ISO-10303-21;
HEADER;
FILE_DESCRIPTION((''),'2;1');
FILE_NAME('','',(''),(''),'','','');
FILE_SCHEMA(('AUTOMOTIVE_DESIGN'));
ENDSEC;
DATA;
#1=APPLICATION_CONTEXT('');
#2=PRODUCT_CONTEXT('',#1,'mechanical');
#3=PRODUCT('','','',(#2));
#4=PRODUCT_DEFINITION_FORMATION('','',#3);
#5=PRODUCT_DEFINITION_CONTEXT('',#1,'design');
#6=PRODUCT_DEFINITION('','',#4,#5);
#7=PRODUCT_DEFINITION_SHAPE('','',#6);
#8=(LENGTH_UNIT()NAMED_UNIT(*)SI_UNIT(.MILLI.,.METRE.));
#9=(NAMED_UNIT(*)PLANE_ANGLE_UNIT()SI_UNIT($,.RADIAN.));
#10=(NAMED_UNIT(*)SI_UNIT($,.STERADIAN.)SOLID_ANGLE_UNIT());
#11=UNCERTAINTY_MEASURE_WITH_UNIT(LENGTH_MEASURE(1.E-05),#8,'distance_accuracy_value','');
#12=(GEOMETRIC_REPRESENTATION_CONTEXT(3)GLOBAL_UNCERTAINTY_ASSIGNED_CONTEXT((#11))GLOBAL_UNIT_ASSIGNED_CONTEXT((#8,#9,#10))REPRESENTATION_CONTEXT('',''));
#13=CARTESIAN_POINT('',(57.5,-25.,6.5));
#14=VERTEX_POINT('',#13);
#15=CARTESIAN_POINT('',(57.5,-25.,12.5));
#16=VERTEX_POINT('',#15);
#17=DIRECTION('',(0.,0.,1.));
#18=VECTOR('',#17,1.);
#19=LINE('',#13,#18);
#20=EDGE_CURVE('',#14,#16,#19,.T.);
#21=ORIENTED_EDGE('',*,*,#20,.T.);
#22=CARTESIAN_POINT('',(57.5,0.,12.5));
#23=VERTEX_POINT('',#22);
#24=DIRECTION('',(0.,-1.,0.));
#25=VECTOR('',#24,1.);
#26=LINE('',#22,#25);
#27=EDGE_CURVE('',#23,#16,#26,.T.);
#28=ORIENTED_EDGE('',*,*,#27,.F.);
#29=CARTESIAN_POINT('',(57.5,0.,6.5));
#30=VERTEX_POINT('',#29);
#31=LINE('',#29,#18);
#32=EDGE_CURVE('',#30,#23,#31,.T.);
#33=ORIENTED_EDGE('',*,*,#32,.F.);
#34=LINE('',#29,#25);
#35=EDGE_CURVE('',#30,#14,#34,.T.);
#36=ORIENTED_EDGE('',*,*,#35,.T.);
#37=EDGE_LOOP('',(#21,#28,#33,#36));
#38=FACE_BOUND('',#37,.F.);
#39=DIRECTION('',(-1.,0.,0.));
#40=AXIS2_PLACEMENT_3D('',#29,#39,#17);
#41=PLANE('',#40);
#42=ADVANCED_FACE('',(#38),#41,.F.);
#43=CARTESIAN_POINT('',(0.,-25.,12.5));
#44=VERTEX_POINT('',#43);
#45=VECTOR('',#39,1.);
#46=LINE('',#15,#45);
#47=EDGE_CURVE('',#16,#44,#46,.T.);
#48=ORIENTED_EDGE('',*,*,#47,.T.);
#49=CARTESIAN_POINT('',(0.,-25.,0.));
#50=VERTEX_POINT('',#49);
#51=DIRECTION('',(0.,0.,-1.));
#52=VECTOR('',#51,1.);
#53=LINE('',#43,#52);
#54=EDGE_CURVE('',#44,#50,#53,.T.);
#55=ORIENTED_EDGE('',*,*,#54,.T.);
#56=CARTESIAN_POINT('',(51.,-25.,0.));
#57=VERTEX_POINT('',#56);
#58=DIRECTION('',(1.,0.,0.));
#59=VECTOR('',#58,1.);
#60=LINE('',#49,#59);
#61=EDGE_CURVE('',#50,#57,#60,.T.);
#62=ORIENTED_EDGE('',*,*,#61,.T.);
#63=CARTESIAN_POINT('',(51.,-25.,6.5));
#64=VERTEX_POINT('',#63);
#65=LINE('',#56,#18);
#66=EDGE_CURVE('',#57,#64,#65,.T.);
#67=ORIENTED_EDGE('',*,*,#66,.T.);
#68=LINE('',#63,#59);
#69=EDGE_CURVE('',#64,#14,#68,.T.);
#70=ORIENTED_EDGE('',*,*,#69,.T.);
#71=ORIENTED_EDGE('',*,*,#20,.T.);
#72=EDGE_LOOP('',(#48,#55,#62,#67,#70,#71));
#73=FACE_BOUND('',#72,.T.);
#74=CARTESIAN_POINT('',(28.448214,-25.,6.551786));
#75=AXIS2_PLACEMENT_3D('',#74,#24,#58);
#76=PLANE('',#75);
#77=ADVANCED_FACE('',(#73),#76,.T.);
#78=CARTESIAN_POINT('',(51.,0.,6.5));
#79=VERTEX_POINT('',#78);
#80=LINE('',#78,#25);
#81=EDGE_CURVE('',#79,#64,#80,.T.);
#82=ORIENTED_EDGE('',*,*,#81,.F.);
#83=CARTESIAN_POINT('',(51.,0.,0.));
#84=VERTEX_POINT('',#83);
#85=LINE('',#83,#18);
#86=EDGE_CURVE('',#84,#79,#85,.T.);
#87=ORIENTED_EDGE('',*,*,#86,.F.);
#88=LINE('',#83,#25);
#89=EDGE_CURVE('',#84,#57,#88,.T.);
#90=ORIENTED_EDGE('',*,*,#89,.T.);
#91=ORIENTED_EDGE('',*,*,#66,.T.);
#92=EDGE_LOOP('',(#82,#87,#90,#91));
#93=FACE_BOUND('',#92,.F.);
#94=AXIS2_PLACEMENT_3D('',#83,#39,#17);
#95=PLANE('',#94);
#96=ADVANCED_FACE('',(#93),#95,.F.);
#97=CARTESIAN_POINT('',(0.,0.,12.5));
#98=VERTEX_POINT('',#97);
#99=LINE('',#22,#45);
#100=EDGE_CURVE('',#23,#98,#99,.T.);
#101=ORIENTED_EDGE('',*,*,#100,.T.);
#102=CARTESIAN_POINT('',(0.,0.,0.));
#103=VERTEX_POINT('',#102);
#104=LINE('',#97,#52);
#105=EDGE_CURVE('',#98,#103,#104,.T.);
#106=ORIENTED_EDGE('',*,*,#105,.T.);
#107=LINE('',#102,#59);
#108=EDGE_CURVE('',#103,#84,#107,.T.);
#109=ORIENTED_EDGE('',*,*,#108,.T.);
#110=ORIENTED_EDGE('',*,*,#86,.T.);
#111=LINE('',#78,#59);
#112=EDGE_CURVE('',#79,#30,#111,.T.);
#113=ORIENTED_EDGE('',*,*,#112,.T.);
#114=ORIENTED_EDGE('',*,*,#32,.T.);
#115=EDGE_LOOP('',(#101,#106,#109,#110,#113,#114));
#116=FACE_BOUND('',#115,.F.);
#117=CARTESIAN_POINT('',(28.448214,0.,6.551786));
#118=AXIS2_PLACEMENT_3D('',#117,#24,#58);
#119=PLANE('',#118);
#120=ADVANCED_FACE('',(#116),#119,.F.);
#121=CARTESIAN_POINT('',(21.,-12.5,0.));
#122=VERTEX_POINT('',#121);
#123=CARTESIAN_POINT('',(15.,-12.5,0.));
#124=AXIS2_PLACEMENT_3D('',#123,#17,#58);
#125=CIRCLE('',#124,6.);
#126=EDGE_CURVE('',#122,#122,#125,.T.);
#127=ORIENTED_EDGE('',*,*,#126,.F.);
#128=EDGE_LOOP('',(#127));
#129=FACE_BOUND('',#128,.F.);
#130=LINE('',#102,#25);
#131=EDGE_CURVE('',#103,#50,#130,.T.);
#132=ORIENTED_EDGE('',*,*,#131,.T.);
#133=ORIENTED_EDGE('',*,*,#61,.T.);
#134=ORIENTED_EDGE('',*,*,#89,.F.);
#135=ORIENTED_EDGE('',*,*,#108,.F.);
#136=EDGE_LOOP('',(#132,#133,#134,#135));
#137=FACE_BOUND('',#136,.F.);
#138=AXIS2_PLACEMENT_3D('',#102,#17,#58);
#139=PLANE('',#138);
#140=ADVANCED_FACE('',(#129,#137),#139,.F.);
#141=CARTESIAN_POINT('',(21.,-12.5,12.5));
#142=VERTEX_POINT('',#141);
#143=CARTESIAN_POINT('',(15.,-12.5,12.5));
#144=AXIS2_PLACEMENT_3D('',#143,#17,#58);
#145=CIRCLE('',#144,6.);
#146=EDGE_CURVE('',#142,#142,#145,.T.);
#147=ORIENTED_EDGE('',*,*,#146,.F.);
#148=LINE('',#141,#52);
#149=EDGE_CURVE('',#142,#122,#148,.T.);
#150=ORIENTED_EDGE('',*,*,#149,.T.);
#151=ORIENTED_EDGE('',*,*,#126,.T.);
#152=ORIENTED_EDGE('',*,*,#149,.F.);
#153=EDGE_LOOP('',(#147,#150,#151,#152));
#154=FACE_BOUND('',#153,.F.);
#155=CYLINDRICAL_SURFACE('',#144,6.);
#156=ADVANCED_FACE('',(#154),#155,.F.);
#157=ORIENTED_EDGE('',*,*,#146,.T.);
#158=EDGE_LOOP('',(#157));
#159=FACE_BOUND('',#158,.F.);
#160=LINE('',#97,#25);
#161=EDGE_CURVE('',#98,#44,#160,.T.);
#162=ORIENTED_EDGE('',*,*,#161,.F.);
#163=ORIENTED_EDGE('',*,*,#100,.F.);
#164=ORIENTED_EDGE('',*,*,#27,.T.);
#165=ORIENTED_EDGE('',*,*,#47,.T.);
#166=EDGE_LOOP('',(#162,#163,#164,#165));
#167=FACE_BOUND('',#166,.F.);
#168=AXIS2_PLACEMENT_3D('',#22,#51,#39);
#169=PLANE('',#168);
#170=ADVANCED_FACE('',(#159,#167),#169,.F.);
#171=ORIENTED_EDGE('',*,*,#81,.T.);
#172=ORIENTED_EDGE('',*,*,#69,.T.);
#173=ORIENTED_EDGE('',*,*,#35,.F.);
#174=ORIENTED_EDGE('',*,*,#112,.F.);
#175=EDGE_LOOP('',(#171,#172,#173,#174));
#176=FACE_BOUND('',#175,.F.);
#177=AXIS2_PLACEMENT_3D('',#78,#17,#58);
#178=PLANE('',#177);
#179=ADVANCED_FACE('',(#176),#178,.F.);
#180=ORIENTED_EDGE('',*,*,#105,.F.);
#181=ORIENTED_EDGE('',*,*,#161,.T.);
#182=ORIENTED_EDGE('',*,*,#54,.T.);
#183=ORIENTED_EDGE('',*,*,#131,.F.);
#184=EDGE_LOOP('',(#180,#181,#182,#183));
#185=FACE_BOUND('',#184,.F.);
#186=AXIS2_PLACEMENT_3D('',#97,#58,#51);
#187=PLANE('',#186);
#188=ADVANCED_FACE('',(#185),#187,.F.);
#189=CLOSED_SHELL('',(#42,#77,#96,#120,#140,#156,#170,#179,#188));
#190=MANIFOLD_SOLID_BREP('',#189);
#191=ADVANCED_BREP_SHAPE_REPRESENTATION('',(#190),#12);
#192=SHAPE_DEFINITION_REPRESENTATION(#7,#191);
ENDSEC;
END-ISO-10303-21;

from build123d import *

# Parameters (mm, degrees)
F1_DEPTH = 25
F2_R     = 6
F3_DEPTH = 12.501


with BuildPart() as f1:
    # F0 (on Front) → F1 (new body)
    with BuildSketch(Plane.XZ):
        Polygon((0, 12.5), (0, 0), (51, 0), (51, 6.5), (57.5, 6.5), (57.5, 12.5), align=None)
    extrude(amount=F1_DEPTH)

    # F2 (on face) → F3 (cut, through all)
    with BuildSketch(Plane.XY.offset(12.5)):
        with Locations((15, -12.5)):
            Circle(F2_R)
    extrude(amount=-F3_DEPTH, mode=Mode.SUBTRACT)


solid = f1.part
